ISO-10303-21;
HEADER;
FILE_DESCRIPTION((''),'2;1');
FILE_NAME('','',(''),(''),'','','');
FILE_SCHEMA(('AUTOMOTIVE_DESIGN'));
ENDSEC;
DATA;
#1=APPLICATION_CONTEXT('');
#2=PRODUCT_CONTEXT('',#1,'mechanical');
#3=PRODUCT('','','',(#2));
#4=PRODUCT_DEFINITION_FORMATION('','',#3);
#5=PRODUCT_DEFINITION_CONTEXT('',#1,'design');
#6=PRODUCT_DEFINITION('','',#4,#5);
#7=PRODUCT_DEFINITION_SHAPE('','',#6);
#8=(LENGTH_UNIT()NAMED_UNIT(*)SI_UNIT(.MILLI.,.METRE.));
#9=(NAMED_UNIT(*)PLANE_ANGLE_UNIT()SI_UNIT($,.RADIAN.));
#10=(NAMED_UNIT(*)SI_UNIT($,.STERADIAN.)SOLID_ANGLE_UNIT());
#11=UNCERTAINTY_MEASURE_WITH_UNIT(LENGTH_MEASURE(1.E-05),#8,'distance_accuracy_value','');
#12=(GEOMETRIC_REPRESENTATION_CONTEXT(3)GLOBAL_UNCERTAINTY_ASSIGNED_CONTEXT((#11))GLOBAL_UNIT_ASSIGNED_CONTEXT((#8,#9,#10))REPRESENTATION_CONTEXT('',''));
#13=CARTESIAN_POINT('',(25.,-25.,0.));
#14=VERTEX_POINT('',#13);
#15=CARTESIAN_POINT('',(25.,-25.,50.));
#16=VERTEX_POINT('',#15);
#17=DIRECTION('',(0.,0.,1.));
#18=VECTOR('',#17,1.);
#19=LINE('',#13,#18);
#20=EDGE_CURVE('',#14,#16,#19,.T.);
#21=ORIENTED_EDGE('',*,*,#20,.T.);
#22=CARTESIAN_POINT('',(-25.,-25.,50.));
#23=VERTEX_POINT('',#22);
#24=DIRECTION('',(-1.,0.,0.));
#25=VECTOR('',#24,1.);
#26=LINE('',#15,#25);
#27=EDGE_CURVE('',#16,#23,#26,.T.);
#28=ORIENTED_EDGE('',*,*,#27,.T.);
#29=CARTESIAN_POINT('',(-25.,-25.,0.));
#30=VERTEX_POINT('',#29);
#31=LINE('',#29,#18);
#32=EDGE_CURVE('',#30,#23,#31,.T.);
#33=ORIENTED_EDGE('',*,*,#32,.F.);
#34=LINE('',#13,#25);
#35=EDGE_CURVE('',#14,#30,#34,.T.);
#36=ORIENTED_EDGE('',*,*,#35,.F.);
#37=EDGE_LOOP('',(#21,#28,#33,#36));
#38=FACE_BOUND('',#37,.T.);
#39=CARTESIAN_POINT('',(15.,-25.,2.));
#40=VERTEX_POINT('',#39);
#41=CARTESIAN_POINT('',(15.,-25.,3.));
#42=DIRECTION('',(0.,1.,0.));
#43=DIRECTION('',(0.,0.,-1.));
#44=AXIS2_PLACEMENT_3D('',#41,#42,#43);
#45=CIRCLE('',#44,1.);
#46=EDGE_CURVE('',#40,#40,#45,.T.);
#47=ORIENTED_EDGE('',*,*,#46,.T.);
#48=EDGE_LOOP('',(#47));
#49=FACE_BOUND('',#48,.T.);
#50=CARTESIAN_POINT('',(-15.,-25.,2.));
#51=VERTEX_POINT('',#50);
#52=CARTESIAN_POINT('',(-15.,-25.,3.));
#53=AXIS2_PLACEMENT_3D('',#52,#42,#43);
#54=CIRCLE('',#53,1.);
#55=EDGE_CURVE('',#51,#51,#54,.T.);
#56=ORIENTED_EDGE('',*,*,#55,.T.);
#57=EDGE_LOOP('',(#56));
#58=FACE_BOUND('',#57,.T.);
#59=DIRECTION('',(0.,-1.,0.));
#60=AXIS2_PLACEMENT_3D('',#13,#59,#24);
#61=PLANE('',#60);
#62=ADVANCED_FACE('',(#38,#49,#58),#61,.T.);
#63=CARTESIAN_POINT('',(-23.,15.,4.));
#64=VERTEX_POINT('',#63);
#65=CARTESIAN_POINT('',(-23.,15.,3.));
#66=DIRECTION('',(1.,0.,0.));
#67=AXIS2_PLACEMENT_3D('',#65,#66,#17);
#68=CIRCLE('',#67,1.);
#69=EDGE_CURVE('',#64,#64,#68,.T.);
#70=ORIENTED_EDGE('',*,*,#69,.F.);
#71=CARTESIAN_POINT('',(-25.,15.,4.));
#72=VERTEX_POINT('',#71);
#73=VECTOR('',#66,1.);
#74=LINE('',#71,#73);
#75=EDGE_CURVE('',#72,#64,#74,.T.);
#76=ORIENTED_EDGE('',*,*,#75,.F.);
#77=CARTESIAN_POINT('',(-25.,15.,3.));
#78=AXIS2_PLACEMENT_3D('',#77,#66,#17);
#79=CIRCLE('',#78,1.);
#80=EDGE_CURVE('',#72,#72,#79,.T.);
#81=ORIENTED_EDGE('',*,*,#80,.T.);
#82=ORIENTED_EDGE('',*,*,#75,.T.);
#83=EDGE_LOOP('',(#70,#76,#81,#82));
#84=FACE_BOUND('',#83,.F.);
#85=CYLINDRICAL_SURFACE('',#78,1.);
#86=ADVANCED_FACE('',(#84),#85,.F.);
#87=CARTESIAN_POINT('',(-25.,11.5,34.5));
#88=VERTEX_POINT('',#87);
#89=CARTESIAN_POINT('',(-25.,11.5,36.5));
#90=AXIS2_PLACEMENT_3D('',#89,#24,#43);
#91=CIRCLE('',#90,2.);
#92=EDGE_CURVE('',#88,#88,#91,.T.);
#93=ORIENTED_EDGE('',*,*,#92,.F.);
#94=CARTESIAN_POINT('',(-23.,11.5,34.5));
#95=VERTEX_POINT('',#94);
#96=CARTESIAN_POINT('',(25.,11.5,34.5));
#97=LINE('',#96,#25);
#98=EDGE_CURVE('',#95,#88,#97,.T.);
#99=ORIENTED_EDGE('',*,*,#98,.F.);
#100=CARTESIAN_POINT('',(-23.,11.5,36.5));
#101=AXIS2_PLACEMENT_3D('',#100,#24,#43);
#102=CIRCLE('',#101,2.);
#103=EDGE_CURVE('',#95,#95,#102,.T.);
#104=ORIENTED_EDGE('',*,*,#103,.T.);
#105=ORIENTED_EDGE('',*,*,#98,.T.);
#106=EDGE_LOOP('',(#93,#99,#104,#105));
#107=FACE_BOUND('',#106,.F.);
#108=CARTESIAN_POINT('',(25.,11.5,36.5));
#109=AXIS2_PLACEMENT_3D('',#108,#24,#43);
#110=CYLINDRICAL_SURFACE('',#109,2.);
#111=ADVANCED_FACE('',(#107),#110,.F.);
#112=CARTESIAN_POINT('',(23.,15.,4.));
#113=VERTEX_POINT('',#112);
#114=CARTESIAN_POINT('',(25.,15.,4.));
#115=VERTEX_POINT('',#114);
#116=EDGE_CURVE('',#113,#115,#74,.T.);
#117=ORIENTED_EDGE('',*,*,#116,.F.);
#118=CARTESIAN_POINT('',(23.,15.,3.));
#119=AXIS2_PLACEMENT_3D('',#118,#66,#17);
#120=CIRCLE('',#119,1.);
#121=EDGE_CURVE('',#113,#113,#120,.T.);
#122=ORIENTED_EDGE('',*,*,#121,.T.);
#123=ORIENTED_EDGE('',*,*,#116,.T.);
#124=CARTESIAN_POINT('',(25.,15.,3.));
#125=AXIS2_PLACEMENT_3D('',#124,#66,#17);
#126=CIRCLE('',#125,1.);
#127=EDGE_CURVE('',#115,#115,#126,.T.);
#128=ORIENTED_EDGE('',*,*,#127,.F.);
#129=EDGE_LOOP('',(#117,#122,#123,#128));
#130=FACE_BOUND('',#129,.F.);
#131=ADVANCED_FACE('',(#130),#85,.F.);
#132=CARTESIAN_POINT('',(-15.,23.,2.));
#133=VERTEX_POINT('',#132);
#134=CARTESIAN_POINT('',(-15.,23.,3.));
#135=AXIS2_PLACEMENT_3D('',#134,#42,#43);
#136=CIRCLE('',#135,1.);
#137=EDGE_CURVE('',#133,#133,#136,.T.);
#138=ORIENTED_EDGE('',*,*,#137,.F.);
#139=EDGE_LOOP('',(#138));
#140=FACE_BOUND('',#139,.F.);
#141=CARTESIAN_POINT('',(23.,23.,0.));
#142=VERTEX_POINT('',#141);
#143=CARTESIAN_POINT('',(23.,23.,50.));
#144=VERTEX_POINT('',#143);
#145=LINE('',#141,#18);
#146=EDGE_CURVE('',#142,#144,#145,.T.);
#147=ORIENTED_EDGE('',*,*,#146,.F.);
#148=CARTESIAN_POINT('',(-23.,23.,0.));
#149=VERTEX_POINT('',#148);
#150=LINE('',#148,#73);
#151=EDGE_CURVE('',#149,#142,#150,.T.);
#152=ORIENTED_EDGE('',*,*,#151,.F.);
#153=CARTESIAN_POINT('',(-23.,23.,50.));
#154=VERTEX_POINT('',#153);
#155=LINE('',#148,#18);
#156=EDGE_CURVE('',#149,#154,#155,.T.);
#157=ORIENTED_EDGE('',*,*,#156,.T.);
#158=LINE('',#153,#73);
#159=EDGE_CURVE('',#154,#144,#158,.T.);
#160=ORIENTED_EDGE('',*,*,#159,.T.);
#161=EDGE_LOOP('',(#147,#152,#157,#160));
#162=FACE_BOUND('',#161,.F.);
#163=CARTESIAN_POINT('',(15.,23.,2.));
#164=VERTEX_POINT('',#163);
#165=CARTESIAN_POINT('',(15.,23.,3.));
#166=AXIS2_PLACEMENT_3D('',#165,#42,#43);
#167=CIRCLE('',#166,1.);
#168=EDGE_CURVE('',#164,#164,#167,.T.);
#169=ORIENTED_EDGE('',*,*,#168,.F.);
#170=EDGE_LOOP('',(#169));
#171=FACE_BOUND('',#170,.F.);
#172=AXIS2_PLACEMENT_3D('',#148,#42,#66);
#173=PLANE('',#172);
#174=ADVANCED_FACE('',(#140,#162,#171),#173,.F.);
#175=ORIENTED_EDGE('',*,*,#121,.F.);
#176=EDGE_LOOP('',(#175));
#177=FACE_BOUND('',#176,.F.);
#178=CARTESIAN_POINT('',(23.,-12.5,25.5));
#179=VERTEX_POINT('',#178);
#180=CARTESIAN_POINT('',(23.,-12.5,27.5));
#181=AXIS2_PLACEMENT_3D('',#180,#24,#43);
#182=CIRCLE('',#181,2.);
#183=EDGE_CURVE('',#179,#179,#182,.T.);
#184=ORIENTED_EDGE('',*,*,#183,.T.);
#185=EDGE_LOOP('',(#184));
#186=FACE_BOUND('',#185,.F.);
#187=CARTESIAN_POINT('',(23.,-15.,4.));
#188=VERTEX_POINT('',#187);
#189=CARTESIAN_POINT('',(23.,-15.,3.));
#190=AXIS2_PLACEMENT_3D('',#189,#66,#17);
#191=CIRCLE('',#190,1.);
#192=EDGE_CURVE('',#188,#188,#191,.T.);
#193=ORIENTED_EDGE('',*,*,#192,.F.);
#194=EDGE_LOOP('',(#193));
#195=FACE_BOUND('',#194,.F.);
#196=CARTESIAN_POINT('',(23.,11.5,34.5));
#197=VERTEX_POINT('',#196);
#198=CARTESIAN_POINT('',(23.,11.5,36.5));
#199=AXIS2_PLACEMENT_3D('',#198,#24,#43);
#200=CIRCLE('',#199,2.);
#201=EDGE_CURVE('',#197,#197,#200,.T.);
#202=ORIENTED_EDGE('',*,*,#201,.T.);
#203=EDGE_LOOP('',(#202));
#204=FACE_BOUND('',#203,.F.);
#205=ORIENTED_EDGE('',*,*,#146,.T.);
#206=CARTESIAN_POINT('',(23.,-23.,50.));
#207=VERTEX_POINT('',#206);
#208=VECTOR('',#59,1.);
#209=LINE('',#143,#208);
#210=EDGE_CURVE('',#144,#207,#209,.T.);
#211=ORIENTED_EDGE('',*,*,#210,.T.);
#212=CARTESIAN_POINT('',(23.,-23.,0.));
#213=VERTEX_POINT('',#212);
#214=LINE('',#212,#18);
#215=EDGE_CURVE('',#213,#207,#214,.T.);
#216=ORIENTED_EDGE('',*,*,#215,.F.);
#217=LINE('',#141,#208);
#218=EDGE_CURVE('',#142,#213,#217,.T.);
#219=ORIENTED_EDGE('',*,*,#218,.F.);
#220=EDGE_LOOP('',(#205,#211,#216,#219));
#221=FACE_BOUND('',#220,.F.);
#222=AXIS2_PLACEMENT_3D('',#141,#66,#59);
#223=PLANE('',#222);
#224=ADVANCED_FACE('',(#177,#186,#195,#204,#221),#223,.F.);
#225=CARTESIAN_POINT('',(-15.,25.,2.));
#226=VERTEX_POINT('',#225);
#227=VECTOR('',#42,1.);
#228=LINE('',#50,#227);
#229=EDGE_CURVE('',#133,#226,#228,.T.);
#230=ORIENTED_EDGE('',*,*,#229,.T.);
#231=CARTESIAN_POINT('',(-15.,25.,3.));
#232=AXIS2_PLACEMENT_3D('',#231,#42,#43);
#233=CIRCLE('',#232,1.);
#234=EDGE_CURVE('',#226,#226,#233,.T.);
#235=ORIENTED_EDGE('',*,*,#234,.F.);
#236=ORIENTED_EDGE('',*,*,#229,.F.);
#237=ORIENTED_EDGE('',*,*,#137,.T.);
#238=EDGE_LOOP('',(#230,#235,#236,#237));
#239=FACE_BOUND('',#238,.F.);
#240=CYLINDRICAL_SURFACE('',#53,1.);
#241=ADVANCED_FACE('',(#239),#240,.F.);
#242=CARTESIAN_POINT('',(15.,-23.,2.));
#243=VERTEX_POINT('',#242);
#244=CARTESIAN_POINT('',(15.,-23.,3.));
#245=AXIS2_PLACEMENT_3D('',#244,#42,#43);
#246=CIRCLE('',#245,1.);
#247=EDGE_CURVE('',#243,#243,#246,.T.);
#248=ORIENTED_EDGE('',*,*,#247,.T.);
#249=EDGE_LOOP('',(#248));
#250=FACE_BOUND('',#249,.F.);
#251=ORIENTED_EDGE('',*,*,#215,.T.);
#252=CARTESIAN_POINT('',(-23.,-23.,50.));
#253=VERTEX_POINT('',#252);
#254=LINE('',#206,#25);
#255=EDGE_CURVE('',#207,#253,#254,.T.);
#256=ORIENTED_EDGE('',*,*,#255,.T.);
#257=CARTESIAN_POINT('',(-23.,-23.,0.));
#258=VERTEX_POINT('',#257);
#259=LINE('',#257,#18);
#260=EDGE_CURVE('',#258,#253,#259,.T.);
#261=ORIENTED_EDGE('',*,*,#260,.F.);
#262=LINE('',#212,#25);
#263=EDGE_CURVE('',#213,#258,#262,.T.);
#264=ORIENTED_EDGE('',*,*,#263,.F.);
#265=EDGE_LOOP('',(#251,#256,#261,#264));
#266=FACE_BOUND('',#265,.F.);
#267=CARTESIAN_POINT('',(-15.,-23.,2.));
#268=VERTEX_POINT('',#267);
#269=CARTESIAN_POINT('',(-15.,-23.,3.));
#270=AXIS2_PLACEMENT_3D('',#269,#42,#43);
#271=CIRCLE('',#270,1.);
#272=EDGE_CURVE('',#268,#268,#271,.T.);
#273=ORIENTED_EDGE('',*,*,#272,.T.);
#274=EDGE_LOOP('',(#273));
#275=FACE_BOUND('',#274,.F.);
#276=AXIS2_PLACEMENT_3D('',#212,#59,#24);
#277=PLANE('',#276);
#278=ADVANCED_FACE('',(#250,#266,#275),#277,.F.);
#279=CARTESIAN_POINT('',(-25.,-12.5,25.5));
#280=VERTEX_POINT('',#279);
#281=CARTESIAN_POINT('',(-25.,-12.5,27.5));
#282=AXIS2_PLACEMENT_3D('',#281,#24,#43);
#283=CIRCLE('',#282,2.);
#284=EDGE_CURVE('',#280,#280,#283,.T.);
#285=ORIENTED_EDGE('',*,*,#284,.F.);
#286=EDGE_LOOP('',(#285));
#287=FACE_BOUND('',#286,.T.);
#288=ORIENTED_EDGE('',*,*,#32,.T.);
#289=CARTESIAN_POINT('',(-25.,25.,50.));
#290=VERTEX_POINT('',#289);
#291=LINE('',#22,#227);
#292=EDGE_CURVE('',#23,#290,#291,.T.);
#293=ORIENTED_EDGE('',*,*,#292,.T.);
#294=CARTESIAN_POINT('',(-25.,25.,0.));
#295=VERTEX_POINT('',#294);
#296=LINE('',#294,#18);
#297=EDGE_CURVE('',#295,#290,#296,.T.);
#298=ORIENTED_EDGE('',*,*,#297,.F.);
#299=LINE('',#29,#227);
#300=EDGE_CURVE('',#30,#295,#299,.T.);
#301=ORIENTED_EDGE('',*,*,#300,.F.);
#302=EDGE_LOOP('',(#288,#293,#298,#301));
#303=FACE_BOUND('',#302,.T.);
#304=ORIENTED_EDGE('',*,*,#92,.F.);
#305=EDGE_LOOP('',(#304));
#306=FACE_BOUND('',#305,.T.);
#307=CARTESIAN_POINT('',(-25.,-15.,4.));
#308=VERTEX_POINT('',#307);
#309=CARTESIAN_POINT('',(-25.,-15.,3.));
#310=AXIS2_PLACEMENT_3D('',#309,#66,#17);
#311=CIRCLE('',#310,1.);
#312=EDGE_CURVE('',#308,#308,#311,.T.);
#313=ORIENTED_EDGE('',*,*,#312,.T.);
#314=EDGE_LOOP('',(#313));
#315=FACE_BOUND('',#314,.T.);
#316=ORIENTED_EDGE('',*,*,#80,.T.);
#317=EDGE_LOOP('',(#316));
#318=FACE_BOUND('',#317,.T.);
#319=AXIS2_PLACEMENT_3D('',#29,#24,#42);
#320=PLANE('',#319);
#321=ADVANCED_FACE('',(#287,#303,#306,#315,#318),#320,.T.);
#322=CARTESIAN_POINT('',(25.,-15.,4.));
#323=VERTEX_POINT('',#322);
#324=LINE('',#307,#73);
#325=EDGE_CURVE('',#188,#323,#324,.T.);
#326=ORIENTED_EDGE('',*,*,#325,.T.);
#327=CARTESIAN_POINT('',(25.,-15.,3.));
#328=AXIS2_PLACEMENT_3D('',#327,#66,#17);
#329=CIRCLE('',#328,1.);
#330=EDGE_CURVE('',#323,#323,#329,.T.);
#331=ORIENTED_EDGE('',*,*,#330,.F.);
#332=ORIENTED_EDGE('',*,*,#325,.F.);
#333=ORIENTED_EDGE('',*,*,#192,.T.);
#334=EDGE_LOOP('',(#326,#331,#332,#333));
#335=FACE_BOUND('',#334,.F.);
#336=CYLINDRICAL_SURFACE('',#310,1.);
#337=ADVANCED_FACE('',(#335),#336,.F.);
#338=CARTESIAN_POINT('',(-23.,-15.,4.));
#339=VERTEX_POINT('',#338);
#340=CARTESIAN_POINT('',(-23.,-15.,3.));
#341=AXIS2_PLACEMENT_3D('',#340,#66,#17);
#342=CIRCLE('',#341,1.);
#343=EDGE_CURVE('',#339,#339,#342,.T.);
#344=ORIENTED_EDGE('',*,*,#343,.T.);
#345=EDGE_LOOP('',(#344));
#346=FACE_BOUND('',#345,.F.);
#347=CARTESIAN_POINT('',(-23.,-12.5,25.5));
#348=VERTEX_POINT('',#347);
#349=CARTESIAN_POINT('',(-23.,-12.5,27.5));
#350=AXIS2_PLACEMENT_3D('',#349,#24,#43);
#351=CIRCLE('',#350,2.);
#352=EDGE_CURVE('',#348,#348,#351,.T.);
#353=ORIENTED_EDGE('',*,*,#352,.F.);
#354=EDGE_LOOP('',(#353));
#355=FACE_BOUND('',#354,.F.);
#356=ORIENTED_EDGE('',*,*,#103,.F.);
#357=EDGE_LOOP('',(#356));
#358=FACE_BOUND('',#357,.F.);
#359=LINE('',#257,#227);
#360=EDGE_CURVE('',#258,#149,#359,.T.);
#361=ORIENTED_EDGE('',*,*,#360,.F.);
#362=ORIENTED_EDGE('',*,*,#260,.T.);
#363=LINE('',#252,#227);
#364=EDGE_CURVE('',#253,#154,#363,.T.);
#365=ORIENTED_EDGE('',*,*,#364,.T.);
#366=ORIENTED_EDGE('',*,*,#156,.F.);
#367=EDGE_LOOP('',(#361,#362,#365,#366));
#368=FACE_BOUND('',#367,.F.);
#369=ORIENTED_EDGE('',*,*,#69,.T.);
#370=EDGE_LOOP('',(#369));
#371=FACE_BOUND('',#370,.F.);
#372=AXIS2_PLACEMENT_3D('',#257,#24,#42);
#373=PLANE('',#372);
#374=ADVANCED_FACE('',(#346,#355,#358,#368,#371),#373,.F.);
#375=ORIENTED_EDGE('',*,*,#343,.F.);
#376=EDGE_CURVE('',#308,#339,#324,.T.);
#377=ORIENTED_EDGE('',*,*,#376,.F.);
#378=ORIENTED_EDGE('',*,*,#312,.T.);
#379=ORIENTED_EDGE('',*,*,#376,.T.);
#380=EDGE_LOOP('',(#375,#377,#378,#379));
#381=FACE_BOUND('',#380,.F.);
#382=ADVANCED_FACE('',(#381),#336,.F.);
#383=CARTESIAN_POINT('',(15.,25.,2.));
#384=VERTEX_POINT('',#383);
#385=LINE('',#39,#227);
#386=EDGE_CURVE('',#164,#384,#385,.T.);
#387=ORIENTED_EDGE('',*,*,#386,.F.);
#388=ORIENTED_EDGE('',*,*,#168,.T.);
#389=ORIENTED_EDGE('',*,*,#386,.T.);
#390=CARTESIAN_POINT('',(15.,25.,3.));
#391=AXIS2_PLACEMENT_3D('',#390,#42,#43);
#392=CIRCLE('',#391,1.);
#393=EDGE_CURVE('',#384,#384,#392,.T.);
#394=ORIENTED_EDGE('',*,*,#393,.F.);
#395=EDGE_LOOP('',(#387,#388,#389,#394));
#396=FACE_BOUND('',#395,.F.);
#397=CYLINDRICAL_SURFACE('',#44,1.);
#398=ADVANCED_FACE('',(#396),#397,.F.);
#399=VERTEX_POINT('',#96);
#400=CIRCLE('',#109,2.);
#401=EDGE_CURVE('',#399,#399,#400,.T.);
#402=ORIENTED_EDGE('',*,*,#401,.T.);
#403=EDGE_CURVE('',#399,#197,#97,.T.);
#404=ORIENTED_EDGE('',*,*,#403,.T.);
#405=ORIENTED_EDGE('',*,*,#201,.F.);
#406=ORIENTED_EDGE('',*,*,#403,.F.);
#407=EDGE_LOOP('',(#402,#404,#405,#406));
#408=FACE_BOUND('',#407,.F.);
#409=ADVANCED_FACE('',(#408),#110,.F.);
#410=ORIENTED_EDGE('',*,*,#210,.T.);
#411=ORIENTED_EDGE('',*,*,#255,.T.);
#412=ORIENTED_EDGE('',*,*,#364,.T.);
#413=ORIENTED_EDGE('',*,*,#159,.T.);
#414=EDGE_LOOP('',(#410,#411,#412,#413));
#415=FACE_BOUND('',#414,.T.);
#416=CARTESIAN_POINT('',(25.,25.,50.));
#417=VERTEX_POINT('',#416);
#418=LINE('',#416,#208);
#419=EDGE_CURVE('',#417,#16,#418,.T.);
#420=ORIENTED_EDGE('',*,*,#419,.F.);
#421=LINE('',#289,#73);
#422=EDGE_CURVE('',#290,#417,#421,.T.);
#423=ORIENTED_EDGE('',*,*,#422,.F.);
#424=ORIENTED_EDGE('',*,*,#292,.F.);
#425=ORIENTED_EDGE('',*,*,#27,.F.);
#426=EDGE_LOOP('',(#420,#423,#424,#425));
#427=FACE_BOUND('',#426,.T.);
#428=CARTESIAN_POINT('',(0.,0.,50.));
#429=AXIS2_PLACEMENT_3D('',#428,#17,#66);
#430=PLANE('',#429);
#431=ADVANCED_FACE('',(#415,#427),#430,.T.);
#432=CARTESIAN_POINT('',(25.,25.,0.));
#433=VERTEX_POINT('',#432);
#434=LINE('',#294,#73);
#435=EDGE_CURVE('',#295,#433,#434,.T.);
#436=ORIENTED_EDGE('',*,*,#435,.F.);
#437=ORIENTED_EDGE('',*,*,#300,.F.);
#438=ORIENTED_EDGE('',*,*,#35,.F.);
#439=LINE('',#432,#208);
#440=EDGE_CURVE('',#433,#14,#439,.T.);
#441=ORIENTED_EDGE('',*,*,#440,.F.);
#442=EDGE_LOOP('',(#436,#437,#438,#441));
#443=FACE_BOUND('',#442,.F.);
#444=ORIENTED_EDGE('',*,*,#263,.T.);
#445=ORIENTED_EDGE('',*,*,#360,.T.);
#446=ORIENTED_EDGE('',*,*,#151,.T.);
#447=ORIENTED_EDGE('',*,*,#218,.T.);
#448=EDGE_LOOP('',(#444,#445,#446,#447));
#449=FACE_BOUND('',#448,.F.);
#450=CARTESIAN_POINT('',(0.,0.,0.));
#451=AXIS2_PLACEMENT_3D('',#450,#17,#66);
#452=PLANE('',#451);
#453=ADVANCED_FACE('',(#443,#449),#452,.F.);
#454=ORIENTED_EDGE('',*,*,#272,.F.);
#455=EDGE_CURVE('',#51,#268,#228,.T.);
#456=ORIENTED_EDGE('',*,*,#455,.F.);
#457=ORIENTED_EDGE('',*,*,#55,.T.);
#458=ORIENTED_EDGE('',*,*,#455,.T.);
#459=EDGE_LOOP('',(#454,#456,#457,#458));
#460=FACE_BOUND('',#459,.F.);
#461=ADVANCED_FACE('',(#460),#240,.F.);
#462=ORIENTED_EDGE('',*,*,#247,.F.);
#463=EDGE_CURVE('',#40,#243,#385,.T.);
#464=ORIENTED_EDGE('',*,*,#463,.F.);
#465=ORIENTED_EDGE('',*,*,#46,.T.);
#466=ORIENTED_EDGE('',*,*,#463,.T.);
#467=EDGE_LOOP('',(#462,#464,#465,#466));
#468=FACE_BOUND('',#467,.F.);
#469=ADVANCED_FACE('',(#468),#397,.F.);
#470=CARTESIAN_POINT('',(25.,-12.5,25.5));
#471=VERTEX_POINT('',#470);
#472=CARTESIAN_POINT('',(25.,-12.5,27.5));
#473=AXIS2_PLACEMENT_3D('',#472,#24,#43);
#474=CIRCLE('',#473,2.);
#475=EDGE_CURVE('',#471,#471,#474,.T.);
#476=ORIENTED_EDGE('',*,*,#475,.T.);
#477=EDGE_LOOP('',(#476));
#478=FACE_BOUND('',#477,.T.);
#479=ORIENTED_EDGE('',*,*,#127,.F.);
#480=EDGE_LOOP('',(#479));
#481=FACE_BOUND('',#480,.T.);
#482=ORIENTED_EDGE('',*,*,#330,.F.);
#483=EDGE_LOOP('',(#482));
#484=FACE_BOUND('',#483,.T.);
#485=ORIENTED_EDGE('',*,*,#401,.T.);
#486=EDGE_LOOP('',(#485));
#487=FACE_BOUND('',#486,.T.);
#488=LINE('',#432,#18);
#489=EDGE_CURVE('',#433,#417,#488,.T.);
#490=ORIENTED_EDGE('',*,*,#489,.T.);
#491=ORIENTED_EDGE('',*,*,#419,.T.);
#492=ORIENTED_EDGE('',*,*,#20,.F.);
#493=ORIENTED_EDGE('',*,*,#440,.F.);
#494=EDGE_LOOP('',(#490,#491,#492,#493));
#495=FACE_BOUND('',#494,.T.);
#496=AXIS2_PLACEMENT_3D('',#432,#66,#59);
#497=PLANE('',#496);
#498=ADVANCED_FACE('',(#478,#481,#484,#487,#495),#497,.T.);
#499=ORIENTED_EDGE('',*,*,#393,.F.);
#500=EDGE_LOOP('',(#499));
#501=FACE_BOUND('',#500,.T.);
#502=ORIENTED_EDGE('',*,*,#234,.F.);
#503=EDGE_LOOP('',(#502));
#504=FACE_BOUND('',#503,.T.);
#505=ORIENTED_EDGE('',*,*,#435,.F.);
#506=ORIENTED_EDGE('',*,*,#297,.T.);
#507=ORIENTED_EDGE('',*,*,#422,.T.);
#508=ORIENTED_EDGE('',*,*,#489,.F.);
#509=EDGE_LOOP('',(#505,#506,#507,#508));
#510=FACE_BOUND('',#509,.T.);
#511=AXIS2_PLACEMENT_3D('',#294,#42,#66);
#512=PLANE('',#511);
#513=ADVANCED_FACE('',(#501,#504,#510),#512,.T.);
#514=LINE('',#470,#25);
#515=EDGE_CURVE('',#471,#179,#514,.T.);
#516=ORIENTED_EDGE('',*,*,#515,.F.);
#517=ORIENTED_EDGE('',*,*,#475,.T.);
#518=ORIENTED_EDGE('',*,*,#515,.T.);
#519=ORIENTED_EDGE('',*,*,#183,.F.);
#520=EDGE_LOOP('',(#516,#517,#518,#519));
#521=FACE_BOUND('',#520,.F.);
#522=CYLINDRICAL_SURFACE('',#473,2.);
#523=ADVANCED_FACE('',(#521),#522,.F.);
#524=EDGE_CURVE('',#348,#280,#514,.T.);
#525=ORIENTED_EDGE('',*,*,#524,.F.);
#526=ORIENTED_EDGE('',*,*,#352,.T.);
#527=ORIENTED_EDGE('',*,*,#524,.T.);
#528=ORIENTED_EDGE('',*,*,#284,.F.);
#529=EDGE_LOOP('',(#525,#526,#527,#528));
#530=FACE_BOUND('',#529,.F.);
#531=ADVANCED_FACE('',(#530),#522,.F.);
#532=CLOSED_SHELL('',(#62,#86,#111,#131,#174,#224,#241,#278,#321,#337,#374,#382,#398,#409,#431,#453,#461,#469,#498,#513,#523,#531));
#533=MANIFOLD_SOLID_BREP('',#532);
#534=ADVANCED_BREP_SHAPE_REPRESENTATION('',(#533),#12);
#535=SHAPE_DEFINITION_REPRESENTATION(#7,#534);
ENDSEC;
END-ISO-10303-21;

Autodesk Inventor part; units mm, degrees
ref_plane "YZ Plane" through (0, 0, 0) normal (1, 0, 0) x (0, 1, 0)
ref_plane "XZ Plane" through (0, 0, 0) normal (0, 1, 0) x (-1, 0, 0)
ref_plane "XY Plane" through (0, 0, 0) normal (0, 0, 1) x (1, 0, 0)
sketch "スケッチ1" plane through (0, 0, 0) normal (0, 0, 1) x (1, 0, 0)
  line L0 (-25, 25) -> (25, 25)
  line L1 (25, 25) -> (25, -25)
  line L2 (25, -25) -> (-25, -25)
  line L3 (-25, -25) -> (-25, 25)
  line L4 (-23, 23) -> (23, 23)
  line L5 (23, 23) -> (23, -23)
  line L6 (23, -23) -> (-23, -23)
  line L7 (-23, -23) -> (-23, 23)
  point P0 (0, 0)
  dimension "d0" = 50
  dimension "d1" = 50
  dimension "d4" = 25
  dimension "d5" = 25
  dimension "d6" = 46
  dimension "d7" = 2
  dimension "d8" = 46
  dimension "d9" = 2
extrude "押し出し1" add sketch "スケッチ1" along normal blind 50
sketch "スケッチ11" plane through (25, -25, 0) normal (1, 0, 0) x (0, 0, -1)
  circle A0 centre (-36.5, 36.5) radius 1.5
  line L0 (-50, 50) -> (-50, 0) projected
  circle A1 centre (-27.5, 12.5) radius 1.5
  line L1 (0, 50) -> (0, 0) projected
  line L2 (0, 50) -> (-50, 50) projected
  point P0 (0, 25)
  point P1 (-50, 43)
  dimension "d109" = 3
  dimension "d128" = 24
  dimension "d237" = 13.5
  dimension "d238" = 27.5
  dimension "d239" = 13.5
hole "穴6" at (25, -12.5, 27.5) at (25, 11.5, 36.5) direction (-1, 0, 0) diameter 4 end through all
sketch "スケッチ16" plane through (-25, -25, 0) normal (-1, 0, 0) x (0, 0, 1)
  line L0 (0, 50) -> (50, 50) projected
  circle A0 centre (3, 40) radius 1
  circle A1 centre (3, 10) radius 1
  line L1 (0, 48) -> (0, 2) projected
  line L2 (0, 0) -> (50, 0) projected
  point P0 (0, 25)
  dimension "d175" = 10
  dimension "d176" = 3
  dimension "d178" = 3
  dimension "d287" = 10
  dimension "d288" = 2
hole "穴16" at (-25, 15, 3) at (-25, -15, 3) direction (1, 0, 0) diameter 2 end through all
sketch "スケッチ15" plane through (-25, -25, 0) normal (0, -1, 0) x (1, 0, 0)
  line L0 (0, 0) -> (0, 50) projected
  line L1 (50, 0) -> (0, 0) projected
  circle A0 centre (10, 3) radius 1
  circle A1 centre (40, 3) radius 1
  line L2 (50, 0) -> (50, 50) projected
  point P0 (49.5, 0)
  point P1 (49.5, 50)
  point P2 (25, 0)
  dimension "d167" = 10
  dimension "d170" = 3
  dimension "d172" = 3
  dimension "d267" = 2
  dimension "d286" = 10
hole "穴17" at (-15, -25, 3) at (15, -25, 3) direction (0, 1, 0) diameter 2 end through all
properties part number "06" material "アルミニウム 6061"
